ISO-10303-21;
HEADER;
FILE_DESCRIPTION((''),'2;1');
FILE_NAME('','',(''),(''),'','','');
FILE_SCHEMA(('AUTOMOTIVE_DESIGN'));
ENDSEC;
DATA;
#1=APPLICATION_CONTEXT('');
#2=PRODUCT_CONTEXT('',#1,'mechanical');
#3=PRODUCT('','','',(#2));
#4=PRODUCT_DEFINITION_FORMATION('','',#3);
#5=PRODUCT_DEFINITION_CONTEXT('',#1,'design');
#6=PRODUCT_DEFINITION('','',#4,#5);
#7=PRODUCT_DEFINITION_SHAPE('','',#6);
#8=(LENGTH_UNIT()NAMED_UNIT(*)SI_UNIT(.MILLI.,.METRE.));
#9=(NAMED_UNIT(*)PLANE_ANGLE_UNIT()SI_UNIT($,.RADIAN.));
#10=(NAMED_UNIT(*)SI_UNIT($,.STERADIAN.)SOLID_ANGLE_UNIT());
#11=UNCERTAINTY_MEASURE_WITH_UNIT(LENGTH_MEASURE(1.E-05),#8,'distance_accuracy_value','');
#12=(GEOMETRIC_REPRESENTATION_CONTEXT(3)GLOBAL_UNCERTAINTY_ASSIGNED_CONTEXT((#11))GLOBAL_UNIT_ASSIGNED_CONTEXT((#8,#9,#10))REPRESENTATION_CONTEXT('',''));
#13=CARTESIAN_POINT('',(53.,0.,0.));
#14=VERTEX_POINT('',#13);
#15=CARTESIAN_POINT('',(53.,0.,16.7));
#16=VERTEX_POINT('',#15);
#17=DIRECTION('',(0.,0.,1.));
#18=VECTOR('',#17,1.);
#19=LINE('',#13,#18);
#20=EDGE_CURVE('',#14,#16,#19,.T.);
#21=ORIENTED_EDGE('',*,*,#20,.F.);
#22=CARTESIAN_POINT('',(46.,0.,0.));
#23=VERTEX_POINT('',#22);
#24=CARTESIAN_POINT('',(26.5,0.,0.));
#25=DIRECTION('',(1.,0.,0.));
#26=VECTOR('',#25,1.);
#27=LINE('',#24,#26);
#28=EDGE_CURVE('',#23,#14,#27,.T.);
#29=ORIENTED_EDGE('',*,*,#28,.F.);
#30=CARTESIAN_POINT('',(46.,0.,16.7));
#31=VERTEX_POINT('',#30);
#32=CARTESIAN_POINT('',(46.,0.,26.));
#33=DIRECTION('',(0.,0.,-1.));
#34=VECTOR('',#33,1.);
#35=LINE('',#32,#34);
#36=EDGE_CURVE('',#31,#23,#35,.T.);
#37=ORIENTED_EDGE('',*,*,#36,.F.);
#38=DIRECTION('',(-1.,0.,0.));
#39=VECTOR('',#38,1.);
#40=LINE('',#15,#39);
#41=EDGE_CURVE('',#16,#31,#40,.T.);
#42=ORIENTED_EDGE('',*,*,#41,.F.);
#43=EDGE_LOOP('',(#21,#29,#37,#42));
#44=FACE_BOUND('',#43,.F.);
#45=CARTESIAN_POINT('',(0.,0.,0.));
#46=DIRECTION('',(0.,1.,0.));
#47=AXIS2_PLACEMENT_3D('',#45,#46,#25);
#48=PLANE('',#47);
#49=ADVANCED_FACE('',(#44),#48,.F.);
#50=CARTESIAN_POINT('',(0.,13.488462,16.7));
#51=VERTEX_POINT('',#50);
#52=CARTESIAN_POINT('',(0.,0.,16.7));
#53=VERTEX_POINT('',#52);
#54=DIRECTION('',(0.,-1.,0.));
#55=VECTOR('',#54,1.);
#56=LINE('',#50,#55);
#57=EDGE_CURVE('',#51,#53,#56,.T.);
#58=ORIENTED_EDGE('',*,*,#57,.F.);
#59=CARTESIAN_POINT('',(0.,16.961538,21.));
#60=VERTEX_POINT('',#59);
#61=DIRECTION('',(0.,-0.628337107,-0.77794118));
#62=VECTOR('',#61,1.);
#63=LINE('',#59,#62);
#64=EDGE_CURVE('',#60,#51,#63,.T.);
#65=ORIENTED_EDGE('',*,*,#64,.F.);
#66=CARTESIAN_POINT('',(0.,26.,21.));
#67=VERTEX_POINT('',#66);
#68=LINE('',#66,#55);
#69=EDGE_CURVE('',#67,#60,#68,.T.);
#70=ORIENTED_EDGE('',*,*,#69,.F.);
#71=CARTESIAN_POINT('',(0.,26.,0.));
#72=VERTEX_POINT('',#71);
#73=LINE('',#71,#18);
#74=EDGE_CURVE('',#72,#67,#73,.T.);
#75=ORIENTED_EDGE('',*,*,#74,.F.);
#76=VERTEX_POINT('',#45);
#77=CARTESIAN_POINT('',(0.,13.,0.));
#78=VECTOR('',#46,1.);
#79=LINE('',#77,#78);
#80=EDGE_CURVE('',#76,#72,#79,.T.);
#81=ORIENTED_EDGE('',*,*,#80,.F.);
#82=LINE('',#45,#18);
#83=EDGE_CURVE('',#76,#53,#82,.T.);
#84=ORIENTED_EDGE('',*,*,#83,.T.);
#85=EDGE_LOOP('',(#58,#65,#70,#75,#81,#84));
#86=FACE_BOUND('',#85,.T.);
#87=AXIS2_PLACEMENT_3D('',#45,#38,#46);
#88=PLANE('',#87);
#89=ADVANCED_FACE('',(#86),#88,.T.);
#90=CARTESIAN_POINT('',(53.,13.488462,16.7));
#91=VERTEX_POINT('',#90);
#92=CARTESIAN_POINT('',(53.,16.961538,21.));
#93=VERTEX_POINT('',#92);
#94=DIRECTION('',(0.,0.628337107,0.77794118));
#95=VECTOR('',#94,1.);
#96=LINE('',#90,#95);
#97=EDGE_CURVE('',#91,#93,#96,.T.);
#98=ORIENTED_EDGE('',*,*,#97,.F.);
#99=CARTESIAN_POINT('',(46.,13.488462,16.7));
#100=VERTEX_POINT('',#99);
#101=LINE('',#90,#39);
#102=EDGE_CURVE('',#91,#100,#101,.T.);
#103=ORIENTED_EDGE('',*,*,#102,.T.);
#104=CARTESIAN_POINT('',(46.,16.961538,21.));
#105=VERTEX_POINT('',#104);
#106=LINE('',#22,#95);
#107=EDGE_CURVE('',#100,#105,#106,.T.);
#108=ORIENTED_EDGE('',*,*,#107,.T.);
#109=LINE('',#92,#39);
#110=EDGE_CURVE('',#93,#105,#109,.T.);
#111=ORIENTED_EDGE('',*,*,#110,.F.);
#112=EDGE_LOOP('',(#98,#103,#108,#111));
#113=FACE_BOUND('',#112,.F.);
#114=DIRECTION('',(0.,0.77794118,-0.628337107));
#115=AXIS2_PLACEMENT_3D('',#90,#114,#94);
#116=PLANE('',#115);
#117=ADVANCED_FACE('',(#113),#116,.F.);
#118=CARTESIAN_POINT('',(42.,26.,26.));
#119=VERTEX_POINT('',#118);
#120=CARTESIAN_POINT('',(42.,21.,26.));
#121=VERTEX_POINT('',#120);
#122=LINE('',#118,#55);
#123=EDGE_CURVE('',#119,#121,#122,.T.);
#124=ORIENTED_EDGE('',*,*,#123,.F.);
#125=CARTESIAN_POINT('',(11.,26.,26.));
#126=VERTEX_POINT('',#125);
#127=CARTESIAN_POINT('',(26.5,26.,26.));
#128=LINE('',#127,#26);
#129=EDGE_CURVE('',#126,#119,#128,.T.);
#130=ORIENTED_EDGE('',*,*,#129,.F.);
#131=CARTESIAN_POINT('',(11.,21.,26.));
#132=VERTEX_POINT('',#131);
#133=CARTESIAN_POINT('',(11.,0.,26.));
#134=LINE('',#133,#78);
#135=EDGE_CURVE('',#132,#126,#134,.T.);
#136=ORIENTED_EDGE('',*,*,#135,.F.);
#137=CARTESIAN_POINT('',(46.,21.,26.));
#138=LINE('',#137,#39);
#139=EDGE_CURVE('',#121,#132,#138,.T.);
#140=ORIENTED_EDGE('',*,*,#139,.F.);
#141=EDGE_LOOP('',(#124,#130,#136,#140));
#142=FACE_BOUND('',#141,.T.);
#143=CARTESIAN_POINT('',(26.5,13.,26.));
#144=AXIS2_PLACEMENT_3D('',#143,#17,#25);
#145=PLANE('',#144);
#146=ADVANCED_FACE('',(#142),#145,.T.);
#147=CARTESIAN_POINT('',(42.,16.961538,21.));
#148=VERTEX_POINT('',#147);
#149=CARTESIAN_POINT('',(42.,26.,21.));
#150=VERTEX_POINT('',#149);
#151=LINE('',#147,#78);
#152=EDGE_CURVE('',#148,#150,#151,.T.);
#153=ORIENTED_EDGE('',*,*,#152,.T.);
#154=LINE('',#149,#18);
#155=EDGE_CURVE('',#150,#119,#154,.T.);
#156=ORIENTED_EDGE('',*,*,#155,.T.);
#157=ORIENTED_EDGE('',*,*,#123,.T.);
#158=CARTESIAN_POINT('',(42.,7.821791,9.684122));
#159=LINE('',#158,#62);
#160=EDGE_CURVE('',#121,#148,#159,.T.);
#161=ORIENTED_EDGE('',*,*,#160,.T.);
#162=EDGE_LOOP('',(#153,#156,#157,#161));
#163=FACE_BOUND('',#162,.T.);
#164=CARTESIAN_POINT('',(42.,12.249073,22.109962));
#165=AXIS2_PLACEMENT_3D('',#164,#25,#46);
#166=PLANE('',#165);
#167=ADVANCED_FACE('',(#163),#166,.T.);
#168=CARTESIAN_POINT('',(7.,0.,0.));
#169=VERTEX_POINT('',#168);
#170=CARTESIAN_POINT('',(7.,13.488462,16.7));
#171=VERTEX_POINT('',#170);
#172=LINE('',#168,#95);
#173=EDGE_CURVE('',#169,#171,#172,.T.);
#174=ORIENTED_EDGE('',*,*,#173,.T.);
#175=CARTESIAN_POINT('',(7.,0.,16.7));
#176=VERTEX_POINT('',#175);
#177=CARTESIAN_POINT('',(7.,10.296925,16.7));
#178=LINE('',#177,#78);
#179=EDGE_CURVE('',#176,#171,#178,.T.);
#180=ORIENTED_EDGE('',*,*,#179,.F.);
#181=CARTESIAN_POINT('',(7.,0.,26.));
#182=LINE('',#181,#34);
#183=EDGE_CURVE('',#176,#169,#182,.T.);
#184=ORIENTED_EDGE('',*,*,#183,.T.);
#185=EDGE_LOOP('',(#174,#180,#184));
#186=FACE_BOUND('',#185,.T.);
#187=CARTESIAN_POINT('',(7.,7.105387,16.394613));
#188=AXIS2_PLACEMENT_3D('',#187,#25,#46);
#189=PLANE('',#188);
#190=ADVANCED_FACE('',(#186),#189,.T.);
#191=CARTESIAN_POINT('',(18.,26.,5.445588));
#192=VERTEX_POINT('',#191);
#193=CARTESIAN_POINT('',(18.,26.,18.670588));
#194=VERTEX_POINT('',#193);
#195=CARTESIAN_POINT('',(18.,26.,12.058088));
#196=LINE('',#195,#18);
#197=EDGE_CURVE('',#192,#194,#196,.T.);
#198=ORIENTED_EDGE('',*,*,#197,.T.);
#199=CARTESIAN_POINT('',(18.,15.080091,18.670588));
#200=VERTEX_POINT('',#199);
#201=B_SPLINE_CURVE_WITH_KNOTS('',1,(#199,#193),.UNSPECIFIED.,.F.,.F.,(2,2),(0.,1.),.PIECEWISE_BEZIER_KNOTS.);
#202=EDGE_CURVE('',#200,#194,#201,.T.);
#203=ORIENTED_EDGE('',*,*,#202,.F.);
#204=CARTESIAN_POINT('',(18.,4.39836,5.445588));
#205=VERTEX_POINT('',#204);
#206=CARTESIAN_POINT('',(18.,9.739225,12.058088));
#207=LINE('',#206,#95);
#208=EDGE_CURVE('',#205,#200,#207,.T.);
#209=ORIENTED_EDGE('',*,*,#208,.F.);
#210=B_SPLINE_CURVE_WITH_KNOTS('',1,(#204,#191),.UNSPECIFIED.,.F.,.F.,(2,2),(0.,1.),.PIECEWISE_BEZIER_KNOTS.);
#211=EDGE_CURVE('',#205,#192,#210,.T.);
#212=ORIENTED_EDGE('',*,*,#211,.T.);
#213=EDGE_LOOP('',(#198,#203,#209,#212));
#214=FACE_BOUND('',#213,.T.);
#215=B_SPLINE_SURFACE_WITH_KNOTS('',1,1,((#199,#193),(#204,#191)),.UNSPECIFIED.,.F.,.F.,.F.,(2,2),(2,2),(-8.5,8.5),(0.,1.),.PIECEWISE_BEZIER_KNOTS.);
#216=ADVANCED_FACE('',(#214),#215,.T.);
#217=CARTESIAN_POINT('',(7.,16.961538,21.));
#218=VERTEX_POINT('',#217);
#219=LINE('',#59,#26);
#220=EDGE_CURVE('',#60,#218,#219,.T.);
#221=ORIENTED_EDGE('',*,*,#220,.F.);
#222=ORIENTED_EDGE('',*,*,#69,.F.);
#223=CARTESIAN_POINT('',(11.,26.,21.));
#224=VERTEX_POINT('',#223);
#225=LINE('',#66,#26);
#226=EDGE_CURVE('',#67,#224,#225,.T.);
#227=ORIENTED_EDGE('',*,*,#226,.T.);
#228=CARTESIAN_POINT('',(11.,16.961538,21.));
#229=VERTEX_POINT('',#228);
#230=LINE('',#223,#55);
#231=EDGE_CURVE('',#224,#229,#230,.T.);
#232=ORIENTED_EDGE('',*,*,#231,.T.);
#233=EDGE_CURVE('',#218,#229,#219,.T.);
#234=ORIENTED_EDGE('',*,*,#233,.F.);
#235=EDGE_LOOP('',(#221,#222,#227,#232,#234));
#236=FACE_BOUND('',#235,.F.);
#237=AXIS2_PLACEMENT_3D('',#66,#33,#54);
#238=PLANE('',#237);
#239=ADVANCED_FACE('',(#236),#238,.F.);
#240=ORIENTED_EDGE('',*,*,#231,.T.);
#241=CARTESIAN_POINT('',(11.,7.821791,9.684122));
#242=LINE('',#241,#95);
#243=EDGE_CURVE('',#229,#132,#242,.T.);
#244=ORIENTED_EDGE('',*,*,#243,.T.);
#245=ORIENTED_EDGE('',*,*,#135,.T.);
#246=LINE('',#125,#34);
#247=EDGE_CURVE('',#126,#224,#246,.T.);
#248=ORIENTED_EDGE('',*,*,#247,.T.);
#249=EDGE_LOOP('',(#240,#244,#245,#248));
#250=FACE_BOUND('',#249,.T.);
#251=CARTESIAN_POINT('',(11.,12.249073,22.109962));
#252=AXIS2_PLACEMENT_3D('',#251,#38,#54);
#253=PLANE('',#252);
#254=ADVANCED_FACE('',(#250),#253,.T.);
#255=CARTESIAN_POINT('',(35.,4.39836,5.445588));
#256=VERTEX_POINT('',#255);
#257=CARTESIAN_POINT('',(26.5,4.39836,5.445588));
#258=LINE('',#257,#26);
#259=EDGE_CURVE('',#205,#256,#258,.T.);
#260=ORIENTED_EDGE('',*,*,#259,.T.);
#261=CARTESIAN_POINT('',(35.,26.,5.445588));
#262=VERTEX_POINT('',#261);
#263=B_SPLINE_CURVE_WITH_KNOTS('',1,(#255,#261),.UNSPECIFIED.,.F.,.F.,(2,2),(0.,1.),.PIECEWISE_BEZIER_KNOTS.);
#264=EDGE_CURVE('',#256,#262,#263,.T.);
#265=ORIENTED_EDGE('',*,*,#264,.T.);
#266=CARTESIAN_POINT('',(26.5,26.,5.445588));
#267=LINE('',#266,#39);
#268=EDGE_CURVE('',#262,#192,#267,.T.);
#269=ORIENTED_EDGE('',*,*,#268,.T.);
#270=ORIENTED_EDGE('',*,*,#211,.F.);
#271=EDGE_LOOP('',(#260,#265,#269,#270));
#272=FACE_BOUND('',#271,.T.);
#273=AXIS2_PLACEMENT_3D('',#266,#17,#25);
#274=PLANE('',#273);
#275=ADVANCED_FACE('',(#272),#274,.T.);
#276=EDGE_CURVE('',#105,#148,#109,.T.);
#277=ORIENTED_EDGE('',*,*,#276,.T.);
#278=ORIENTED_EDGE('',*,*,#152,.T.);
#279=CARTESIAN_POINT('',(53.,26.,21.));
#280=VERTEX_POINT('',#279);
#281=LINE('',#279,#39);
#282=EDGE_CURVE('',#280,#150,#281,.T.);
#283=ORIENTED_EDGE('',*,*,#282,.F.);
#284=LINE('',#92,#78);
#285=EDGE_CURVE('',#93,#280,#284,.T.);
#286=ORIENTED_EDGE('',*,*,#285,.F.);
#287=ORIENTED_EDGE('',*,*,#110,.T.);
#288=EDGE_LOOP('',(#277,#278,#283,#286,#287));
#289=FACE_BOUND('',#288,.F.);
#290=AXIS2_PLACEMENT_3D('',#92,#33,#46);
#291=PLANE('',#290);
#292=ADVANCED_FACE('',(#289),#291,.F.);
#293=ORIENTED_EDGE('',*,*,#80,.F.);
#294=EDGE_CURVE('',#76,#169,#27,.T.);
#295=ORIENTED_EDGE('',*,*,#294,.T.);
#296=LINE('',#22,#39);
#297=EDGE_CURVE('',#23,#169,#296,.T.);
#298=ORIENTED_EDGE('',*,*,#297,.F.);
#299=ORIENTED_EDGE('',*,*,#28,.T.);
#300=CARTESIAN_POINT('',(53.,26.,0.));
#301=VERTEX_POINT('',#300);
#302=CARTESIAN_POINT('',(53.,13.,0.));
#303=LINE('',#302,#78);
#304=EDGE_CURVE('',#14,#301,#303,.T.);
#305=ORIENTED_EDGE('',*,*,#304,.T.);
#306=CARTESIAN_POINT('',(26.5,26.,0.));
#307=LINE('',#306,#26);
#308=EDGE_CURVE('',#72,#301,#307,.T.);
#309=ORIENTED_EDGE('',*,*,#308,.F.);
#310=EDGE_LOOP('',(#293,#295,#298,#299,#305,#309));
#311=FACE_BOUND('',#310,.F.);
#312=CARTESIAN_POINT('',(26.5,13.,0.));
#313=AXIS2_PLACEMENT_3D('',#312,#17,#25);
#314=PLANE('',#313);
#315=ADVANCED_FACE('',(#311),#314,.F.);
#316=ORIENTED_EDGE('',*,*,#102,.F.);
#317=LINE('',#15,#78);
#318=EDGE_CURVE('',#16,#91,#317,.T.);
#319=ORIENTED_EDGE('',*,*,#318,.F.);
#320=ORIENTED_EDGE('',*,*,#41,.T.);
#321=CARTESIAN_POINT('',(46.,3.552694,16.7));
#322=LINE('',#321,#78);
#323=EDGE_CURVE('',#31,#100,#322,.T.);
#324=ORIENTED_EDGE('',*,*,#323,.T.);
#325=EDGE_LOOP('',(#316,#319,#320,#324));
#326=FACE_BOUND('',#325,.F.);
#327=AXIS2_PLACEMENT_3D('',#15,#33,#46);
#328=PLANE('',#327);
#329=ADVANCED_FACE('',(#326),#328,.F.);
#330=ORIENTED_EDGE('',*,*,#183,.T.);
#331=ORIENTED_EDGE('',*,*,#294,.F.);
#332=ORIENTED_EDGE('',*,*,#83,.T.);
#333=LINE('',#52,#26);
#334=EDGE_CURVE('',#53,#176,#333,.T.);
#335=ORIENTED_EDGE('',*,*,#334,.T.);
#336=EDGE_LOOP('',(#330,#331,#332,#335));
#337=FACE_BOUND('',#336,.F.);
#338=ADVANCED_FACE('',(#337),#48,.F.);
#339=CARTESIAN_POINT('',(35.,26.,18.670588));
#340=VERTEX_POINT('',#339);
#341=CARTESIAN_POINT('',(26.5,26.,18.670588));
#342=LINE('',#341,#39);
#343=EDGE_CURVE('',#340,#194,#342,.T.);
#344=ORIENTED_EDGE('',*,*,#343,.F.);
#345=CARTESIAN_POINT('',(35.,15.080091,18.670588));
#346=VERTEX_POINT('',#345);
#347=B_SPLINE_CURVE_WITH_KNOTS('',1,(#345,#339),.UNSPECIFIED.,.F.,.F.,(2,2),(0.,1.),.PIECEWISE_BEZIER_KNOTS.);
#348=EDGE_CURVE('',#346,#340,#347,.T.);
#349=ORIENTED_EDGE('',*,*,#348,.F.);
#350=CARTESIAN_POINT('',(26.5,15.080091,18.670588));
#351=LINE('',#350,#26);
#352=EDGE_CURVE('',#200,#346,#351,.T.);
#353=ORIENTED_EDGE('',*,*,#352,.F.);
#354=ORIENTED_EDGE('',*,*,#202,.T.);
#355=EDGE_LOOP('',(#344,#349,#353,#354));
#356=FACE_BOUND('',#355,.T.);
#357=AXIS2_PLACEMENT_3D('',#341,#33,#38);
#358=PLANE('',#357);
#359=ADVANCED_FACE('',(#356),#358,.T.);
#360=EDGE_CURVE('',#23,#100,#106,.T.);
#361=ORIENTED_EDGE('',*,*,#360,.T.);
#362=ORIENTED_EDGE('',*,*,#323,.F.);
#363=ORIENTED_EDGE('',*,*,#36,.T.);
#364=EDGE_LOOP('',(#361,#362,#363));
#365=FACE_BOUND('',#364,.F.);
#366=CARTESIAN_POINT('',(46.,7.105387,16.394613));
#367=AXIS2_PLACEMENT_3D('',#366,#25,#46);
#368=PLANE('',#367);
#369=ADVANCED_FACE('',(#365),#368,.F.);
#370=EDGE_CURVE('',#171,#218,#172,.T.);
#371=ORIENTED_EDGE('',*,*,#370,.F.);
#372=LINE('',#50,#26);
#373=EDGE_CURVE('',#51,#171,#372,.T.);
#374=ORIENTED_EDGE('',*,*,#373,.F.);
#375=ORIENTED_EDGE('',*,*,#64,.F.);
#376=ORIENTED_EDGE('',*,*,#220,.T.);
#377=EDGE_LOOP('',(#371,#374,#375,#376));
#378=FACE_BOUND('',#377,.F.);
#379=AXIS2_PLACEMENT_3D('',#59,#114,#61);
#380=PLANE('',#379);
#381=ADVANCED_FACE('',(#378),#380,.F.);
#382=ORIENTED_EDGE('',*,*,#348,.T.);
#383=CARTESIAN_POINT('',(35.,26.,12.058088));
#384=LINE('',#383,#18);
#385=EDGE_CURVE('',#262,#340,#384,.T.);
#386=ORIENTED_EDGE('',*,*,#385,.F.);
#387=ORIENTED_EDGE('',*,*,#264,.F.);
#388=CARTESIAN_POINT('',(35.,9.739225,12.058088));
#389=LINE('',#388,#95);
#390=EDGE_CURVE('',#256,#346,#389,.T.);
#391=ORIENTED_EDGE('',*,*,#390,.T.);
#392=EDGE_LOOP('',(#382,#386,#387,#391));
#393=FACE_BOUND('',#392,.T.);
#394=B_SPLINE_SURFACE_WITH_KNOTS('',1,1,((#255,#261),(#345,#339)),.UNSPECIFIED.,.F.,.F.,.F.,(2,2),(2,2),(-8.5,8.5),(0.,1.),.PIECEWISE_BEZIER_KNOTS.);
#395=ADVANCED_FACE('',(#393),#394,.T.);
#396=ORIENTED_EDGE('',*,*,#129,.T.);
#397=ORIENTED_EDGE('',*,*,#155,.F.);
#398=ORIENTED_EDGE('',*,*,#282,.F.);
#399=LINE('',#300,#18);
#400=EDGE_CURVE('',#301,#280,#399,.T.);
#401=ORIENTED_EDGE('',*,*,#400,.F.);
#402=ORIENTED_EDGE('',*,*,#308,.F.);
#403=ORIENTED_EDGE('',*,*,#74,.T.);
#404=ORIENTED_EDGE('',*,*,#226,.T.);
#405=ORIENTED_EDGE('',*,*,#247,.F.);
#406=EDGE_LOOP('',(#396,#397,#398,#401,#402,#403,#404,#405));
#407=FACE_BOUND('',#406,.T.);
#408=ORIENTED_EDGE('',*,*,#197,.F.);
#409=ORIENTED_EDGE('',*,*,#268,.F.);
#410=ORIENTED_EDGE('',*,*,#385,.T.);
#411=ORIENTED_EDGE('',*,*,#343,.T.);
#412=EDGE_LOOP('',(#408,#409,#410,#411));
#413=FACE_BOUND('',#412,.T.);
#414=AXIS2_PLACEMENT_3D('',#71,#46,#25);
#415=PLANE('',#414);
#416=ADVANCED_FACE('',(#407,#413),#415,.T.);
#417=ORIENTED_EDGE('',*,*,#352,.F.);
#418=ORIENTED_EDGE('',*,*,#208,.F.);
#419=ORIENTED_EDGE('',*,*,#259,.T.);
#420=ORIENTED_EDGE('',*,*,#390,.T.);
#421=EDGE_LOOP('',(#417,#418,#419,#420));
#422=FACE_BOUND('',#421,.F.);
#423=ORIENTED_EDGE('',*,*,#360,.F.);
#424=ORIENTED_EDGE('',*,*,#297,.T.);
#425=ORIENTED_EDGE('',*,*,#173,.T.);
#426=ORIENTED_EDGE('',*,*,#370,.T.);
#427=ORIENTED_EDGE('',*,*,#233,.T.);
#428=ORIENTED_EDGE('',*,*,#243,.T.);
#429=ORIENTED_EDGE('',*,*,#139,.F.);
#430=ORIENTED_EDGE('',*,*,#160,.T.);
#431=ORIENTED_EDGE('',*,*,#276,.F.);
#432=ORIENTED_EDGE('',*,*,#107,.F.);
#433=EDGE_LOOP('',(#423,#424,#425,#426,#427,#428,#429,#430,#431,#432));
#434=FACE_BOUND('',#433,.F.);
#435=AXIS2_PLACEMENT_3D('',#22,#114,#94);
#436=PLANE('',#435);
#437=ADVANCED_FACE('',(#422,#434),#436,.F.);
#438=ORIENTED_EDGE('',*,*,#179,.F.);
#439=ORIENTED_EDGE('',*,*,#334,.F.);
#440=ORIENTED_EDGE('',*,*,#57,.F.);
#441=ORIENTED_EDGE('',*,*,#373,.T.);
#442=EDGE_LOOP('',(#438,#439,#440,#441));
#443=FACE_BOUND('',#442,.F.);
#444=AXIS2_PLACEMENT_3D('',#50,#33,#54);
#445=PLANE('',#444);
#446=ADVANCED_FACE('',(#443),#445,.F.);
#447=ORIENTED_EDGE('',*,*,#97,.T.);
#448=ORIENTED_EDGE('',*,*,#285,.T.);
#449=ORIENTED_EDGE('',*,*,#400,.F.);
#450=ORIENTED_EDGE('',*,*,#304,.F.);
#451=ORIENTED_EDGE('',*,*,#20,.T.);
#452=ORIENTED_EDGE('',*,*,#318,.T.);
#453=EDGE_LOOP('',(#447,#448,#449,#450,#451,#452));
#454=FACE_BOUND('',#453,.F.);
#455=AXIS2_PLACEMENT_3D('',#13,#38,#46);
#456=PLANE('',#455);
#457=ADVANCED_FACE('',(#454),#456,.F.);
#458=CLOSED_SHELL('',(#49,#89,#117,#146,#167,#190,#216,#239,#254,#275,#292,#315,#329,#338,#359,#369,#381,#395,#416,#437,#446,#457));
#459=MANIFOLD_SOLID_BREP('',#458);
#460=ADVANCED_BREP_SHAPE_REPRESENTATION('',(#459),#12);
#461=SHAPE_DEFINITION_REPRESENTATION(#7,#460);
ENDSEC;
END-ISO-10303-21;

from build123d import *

# Parameters (mm, degrees)
F0_W     = 53
F0_H     = 26
F1_DEPTH = 26
F4_DEPTH = 39
F6_DEPTH = 11
F8_DEPTH = 11
F9_W     = 17
F9_H     = 17
F10_W    = 17
F10_H    = 13.2250000635


with BuildPart() as f1:
    # F0 (on Top) → F1 (new body)
    with BuildSketch(Plane.XY):
        with Locations((26.5, 13)):
            Rectangle(F0_W, F0_H)
    extrude(amount=F1_DEPTH)

    # F3 (on offset) → F4 (cut)
    with BuildSketch(Plane.YZ.offset(46)):
        Polygon((21, 26), (0, 26), (0, 0), align=None)
    extrude(amount=-F4_DEPTH, mode=Mode.SUBTRACT)

    # F5 (on face) → F6 (cut)
    with BuildSketch(Plane.YZ.offset(53)):
        Polygon((26, 26), (0, 26), (0, 16.7), (13.4884615385, 16.7), (16.9615384615, 21), (26, 21), align=None)
    extrude(amount=-F6_DEPTH, mode=Mode.SUBTRACT)

    # F7 (on face) → F8 (cut)
    with BuildSketch(Plane(origin=(0, 0, 0), x_dir=(0, -1, 0), z_dir=(-1, 0, 0))):
        Polygon((-26, 21), (-16.9615384615, 21), (-13.4884615385, 16.7), (0, 16.7), (0, 26), (-26, 26), align=None)
    extrude(amount=-F8_DEPTH, mode=Mode.SUBTRACT)

    # F9 (on face) → F11 section 0
    with BuildSketch(Plane(origin=(0, 0, 0), x_dir=(1, 0, 0), z_dir=(0, -0.7779411802, 0.6283371071))):
        with Locations((26.5, 15.5)):
            Rectangle(F9_W, F9_H)
    # F10 (on face) → F11 section 1
    with BuildSketch(Plane(origin=(0, 26, 0), x_dir=(-1, 0, 0), z_dir=(0, 1, 0))):
        with Locations((-26.5, 12.0580882932)):
            Rectangle(F10_W, F10_H)
    loft(mode=Mode.SUBTRACT)


solid = f1.part
